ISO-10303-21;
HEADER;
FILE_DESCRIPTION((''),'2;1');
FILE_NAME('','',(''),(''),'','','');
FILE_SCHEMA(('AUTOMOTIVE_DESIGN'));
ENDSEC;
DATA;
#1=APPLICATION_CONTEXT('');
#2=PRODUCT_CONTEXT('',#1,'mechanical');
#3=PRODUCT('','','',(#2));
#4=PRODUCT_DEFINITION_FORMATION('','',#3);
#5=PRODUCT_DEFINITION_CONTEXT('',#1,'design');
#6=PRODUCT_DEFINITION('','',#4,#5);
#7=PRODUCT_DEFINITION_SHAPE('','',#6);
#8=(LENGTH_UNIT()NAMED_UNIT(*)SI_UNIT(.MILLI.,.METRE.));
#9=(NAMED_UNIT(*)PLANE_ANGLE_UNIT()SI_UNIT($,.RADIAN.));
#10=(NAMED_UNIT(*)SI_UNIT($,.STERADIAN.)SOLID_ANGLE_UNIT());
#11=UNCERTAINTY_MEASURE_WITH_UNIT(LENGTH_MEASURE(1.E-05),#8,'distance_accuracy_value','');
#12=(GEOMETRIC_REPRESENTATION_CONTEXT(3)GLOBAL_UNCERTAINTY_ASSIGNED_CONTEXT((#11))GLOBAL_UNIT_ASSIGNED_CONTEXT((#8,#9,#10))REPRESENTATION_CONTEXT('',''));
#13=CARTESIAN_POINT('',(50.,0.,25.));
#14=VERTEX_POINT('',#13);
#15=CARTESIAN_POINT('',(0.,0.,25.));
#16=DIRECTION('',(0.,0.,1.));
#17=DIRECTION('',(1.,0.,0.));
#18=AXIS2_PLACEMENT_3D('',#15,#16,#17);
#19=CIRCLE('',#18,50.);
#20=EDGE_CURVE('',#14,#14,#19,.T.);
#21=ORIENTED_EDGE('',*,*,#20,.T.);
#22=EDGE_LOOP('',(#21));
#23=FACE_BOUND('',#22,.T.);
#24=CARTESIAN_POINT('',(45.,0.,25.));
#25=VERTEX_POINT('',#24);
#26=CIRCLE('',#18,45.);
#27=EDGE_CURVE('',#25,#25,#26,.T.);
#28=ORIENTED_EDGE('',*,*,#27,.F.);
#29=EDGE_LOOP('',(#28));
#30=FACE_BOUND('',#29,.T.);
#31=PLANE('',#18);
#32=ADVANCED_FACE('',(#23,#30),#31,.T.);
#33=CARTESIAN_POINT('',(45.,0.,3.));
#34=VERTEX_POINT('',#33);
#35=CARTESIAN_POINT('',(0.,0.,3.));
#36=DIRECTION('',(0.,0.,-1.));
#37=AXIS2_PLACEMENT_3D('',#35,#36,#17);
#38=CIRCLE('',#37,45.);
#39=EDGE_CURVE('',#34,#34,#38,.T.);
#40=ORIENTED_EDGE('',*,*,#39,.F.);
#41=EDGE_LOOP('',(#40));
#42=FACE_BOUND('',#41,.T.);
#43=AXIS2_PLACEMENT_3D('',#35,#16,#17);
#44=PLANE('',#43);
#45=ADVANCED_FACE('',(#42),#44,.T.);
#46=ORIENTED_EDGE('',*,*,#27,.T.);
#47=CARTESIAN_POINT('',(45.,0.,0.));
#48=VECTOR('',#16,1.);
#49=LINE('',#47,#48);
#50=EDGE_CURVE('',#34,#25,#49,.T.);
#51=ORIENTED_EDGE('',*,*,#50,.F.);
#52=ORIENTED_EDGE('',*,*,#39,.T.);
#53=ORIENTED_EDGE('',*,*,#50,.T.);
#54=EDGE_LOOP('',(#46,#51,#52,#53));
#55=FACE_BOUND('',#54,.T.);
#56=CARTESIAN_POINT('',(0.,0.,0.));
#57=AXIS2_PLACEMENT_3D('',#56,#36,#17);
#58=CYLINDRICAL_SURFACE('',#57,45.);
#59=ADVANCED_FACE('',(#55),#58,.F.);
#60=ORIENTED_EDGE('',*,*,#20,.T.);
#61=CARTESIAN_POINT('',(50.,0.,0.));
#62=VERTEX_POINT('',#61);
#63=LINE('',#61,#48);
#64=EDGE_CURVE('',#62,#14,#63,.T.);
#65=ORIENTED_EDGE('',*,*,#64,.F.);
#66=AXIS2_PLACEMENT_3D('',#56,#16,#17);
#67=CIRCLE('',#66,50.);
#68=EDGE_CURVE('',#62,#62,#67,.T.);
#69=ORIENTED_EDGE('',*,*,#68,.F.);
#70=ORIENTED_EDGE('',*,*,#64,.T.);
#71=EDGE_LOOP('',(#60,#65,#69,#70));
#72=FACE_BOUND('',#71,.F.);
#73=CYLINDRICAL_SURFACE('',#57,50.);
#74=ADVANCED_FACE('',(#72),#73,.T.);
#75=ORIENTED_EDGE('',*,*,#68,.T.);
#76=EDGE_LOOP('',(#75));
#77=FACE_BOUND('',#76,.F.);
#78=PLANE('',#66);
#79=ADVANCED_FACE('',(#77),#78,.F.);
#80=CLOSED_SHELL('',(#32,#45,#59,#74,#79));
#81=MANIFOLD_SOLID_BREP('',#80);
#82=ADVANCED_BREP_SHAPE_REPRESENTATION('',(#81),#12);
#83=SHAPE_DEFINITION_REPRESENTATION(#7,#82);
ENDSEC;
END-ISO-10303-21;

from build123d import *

# Parameters (mm, degrees)
F0_R     = 50
F0_R_2   = 45
F1_DEPTH = 25
F2_R     = 45.964929
F3_DEPTH = 3


with BuildPart() as f1:
    # F0 (on Top) → F1 (new body)
    with BuildSketch(Plane.XY):
        Circle(F0_R)
        Circle(F0_R_2, mode=Mode.SUBTRACT)
    extrude(amount=F1_DEPTH)

    # F2 (on Top) → F3 (join)
    with BuildSketch(Plane.XY):
        Circle(F2_R)
    extrude(amount=F3_DEPTH)


solid = f1.part
